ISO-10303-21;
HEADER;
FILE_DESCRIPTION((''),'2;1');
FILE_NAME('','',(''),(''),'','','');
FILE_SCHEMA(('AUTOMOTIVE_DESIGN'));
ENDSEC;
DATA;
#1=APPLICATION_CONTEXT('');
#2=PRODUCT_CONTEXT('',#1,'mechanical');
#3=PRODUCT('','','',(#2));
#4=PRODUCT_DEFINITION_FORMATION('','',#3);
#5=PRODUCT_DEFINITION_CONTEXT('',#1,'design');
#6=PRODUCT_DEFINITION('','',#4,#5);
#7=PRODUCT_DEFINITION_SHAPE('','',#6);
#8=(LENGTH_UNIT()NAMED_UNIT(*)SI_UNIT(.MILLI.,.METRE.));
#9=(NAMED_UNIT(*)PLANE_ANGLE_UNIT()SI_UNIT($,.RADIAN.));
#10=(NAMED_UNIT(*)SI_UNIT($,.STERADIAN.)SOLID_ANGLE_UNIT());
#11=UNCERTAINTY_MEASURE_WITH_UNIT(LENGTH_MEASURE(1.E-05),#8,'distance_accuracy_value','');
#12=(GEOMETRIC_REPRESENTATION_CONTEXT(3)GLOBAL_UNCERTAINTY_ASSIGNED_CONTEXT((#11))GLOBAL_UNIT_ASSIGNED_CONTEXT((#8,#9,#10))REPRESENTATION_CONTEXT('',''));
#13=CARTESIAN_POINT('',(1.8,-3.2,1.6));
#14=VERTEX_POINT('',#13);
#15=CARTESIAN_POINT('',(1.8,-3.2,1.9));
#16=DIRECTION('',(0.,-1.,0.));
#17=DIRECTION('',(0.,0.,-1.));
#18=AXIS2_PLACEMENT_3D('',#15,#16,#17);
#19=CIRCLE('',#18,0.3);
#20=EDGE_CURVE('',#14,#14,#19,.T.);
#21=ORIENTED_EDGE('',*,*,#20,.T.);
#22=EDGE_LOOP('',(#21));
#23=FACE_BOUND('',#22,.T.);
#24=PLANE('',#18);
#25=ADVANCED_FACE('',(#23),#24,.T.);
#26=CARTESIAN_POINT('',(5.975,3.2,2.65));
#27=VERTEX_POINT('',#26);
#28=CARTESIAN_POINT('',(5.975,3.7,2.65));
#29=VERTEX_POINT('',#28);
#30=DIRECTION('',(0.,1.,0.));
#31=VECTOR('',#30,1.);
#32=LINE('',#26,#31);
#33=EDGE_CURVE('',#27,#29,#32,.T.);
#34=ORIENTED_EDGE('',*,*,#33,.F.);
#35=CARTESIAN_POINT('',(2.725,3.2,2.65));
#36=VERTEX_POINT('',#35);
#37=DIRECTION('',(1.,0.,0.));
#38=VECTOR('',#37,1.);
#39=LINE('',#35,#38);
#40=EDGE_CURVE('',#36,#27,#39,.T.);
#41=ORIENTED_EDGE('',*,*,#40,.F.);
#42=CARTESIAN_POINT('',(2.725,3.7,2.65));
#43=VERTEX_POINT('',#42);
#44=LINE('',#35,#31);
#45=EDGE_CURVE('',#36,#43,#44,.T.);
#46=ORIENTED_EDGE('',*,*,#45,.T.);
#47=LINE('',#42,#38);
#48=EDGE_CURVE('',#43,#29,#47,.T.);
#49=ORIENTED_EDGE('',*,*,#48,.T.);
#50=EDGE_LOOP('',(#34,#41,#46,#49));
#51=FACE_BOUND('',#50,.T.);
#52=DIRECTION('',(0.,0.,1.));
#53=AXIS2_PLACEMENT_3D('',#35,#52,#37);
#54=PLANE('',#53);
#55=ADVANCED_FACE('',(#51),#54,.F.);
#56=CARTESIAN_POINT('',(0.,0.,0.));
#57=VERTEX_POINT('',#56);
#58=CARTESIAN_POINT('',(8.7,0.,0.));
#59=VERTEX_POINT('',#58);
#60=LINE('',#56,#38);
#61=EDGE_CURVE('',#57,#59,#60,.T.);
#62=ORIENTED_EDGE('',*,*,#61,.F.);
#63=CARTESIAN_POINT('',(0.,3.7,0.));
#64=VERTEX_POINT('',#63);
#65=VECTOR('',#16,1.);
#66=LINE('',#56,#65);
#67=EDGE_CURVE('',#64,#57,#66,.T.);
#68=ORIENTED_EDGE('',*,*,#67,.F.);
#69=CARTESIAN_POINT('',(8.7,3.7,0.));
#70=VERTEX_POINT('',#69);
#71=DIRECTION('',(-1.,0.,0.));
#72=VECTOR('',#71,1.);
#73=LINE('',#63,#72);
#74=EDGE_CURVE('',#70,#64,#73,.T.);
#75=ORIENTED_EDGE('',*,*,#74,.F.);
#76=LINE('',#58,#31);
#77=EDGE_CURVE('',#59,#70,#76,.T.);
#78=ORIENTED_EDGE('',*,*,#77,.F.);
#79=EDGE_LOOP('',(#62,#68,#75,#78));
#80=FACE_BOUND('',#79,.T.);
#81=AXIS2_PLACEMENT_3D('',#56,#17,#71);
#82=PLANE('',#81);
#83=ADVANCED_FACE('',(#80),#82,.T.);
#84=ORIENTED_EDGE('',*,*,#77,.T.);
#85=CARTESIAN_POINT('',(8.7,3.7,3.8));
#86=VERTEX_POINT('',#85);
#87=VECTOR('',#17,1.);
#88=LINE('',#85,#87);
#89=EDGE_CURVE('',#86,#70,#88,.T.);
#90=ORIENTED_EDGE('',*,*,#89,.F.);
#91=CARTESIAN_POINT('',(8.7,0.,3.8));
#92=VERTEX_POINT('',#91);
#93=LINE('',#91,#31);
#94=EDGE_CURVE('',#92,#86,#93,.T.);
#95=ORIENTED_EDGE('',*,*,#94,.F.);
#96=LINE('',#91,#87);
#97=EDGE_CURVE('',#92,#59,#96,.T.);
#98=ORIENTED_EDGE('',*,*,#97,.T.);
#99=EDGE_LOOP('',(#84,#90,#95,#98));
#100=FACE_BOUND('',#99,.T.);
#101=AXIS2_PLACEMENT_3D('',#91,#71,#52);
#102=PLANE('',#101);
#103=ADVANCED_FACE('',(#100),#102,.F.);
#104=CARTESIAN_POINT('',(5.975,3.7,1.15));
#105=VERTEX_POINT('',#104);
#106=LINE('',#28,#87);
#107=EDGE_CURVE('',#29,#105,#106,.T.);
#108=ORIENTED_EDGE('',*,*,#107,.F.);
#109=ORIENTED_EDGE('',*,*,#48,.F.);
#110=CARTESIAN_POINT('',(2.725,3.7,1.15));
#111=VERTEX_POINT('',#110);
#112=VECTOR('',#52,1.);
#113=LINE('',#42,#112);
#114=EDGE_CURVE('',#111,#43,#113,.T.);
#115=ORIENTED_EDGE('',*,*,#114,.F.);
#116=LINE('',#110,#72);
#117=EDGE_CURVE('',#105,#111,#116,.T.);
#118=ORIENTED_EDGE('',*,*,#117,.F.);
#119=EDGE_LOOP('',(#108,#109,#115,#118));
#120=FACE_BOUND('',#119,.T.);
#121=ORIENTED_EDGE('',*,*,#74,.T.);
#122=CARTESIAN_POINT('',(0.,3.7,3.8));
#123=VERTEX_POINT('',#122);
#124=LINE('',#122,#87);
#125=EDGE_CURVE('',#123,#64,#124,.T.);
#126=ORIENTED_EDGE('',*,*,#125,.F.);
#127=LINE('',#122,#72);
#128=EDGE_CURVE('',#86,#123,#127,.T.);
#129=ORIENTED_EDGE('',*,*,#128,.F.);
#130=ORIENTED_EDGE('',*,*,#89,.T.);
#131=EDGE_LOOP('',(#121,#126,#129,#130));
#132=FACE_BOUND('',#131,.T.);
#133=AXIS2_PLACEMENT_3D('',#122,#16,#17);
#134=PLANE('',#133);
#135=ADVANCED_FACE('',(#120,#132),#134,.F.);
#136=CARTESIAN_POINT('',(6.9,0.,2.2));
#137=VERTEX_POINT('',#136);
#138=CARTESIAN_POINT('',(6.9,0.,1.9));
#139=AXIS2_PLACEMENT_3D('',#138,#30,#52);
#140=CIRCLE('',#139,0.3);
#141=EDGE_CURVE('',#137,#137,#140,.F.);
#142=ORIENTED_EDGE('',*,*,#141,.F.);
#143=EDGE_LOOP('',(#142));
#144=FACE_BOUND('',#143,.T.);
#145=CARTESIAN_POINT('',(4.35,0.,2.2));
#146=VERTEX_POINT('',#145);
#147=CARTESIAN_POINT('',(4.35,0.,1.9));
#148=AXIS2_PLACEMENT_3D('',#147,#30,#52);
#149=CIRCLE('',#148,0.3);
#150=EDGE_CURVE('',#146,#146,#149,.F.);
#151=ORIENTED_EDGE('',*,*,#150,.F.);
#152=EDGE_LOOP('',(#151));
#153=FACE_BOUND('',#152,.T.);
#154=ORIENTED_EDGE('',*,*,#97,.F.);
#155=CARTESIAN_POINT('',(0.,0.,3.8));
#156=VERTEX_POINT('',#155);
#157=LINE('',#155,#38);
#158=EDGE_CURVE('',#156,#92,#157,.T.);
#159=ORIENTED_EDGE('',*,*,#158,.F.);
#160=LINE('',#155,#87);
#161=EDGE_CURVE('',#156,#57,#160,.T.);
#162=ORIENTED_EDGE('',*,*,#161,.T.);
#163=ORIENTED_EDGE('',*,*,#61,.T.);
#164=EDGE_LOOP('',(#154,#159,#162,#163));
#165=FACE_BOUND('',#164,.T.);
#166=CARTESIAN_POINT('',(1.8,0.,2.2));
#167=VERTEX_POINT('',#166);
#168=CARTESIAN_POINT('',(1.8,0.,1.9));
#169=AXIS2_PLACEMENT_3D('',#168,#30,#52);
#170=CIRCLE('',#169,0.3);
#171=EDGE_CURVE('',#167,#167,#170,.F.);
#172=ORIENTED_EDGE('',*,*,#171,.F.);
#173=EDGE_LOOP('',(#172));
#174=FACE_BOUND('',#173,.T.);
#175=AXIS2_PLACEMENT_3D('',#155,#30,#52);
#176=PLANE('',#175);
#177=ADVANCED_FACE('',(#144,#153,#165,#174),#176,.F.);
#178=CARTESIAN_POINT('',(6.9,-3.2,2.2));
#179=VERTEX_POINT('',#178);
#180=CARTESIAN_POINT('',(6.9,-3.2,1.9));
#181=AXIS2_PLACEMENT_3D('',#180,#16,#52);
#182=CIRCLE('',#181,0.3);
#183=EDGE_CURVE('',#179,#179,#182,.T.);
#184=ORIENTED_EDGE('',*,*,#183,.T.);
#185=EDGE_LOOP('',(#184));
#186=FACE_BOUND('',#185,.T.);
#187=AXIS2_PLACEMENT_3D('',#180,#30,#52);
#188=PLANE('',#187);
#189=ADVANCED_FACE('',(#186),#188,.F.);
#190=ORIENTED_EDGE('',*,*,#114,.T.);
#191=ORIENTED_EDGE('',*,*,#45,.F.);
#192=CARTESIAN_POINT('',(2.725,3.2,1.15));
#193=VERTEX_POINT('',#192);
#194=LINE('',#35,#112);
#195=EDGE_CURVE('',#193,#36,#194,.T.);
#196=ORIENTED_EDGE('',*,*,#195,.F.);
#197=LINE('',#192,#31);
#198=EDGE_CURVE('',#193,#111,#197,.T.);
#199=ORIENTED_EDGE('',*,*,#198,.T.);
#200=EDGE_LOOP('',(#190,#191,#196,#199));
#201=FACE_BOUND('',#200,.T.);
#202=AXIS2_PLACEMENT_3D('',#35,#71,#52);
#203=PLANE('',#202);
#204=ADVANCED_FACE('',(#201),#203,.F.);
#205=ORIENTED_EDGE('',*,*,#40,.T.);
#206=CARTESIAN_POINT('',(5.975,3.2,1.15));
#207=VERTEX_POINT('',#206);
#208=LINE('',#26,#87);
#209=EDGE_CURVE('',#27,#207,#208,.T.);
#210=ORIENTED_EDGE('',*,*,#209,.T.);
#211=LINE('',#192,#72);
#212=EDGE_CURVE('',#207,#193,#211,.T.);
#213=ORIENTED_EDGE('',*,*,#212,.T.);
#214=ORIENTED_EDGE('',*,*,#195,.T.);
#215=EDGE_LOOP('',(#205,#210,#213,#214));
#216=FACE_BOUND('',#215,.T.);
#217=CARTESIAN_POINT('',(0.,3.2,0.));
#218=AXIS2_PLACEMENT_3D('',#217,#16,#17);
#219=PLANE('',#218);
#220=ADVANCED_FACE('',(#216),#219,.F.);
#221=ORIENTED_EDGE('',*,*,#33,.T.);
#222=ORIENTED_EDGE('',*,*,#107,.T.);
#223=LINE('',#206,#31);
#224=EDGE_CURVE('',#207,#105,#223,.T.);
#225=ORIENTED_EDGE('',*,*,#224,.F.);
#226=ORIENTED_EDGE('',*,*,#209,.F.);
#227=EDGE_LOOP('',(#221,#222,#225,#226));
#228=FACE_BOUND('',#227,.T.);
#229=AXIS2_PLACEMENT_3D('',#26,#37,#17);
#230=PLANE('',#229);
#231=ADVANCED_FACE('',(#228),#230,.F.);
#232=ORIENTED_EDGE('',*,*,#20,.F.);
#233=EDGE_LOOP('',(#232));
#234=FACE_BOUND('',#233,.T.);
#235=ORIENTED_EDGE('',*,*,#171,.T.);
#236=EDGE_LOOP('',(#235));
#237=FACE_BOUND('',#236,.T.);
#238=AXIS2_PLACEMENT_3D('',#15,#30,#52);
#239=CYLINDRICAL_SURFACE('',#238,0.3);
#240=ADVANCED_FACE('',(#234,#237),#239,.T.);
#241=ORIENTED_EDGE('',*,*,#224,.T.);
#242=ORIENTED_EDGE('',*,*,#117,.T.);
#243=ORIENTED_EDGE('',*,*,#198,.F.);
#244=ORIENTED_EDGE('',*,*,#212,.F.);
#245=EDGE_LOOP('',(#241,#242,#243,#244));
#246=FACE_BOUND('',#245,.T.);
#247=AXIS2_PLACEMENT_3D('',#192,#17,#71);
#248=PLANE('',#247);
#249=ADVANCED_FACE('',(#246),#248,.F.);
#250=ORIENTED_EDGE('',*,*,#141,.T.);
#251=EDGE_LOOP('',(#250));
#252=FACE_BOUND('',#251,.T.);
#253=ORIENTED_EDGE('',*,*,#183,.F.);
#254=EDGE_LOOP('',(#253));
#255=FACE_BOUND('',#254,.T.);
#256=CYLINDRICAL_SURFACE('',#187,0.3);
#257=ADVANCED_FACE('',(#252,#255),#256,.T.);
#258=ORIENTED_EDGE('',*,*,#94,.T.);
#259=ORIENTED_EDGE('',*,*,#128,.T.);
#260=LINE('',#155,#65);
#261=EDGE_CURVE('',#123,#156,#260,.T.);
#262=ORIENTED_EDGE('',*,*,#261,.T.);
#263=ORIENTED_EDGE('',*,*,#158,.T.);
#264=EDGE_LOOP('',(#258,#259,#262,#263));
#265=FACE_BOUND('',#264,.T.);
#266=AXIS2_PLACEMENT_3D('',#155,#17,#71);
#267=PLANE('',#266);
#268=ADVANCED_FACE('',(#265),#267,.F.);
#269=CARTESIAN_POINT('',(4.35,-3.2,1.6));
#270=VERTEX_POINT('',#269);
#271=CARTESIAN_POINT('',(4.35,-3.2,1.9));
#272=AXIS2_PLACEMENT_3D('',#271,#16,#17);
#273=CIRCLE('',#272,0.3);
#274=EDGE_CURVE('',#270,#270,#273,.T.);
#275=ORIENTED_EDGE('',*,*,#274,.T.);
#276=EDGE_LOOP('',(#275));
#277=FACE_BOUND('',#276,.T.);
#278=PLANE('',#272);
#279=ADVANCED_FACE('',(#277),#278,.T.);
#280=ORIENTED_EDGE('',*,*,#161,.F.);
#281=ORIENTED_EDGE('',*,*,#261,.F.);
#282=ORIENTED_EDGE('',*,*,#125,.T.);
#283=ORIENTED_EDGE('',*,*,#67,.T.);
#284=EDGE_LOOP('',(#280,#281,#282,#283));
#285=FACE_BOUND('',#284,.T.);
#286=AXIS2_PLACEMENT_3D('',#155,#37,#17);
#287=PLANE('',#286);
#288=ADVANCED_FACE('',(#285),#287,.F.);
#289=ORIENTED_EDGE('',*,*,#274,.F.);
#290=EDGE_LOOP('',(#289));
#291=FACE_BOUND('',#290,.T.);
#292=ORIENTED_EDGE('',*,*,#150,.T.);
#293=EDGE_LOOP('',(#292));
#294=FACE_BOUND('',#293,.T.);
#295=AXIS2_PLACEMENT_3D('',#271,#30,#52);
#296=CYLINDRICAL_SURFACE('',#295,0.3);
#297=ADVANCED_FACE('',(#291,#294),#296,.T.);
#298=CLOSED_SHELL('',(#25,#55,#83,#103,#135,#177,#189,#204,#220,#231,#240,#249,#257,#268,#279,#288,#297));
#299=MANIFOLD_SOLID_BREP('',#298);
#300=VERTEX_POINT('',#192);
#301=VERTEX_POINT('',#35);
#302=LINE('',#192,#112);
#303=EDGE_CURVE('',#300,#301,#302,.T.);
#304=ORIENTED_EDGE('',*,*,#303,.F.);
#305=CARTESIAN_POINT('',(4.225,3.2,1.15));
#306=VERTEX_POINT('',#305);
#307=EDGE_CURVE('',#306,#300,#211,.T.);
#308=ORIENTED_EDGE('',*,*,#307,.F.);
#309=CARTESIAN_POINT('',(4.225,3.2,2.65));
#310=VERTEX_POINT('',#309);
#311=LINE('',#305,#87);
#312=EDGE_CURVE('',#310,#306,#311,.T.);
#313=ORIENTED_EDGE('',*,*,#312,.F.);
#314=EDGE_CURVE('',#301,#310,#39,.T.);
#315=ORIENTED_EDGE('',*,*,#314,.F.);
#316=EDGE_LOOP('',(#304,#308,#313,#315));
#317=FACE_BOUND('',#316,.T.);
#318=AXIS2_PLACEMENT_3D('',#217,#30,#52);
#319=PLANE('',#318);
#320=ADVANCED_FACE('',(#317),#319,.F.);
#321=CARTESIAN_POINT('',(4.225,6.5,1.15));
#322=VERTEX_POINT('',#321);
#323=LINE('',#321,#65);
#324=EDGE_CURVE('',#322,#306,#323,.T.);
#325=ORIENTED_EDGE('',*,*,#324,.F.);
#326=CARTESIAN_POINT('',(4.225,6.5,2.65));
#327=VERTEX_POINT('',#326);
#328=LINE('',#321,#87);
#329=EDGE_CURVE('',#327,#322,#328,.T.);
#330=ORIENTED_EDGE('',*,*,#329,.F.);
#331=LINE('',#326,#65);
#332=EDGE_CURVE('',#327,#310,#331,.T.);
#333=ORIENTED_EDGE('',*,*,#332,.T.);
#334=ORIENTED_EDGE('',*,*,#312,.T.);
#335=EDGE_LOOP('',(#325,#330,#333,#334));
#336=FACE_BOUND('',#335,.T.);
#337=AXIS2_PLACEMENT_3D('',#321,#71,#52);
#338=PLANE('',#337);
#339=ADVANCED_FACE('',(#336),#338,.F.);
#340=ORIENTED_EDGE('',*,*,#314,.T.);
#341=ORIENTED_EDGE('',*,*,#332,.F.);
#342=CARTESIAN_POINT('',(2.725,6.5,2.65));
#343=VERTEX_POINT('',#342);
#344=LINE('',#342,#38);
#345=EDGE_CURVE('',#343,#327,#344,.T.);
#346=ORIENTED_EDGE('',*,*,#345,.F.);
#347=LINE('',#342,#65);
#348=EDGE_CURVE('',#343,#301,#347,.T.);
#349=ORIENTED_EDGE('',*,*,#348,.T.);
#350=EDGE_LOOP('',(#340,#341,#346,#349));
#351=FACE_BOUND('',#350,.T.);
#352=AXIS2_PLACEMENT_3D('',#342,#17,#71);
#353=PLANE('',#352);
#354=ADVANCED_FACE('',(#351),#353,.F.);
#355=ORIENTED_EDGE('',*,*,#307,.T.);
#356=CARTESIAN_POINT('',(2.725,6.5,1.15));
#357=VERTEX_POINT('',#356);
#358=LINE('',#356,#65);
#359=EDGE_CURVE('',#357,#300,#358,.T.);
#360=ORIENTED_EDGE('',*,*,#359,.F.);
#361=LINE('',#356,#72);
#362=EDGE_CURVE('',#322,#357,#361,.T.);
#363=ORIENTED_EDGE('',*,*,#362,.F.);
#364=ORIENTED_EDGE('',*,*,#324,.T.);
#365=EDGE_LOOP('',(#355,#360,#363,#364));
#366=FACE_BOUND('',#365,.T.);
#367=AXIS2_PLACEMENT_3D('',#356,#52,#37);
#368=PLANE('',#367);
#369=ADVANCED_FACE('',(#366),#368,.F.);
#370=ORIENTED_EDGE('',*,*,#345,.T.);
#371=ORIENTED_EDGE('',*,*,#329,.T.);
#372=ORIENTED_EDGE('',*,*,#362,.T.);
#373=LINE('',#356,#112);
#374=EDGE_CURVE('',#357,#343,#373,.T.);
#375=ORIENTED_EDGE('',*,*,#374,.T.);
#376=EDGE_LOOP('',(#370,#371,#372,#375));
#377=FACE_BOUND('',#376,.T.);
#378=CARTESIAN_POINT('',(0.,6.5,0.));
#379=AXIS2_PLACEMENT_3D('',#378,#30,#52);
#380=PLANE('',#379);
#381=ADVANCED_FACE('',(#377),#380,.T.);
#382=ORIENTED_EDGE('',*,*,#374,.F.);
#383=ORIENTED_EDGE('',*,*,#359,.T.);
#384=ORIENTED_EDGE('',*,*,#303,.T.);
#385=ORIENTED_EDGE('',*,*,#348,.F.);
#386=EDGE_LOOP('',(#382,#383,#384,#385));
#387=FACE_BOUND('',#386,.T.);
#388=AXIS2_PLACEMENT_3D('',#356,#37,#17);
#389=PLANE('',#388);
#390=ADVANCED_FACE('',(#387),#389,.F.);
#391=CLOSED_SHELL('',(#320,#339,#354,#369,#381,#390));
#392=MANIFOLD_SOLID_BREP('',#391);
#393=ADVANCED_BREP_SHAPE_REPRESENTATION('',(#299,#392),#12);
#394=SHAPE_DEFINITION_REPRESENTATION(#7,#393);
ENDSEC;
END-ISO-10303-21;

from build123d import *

# Parameters (mm, degrees)
ESQUISSE1_W             = 8.7
ESQUISSE1_H             = 3.7
BOSS_EXTRU_1_DEPTH      = 3.8
ESQUISSE2_W             = 3.25
ESQUISSE2_H             = 1.5
ENL_V_MAT_EXTRU_1_DEPTH = 0.5
ESQUISSE3_W             = 1.5
ESQUISSE3_H             = 1.5
BOSS_EXTRU_2_DEPTH      = 3.3
ESQUISSE4_R             = 0.3
BOSS_EXTRU_3_DEPTH      = 3.2


with BuildPart() as part:
    # Esquisse1 → Boss.-Extru.1 (new body)
    with BuildSketch(Plane.XY):
        with Locations((4.35, 1.85)):
            Rectangle(ESQUISSE1_W, ESQUISSE1_H)
    extrude(amount=BOSS_EXTRU_1_DEPTH)

    # Esquisse2 → Enlèv. mat.-Extru.1 (cut)
    with BuildSketch(Plane(origin=(0, 3.7, 0), x_dir=(1, 0, 0), z_dir=(0, 1, 0))):
        with Locations((4.35, -1.9)):
            Rectangle(ESQUISSE2_W, ESQUISSE2_H)
    extrude(amount=-ENL_V_MAT_EXTRU_1_DEPTH, mode=Mode.SUBTRACT)

    # Esquisse4 → Boss.-Extru.3 (add)
    with BuildSketch(Plane.XZ):
        with Locations((1.8, 1.9)):
            Circle(ESQUISSE4_R)
        with Locations((4.35, 1.9)):
            Circle(ESQUISSE4_R)
        with Locations((6.9, 1.9)):
            Circle(ESQUISSE4_R)
    extrude(amount=BOSS_EXTRU_3_DEPTH)


with BuildPart() as body_2:
    # Esquisse3 → Boss.-Extru.2 (new body)
    with BuildSketch(Plane(origin=(0, 3.2, 0), x_dir=(1, 0, 0), z_dir=(0, 1, 0))):
        with Locations((3.475, -1.9)):
            Rectangle(ESQUISSE3_W, ESQUISSE3_H)
    extrude(amount=BOSS_EXTRU_2_DEPTH)


solid = Compound([part.part, body_2.part])
